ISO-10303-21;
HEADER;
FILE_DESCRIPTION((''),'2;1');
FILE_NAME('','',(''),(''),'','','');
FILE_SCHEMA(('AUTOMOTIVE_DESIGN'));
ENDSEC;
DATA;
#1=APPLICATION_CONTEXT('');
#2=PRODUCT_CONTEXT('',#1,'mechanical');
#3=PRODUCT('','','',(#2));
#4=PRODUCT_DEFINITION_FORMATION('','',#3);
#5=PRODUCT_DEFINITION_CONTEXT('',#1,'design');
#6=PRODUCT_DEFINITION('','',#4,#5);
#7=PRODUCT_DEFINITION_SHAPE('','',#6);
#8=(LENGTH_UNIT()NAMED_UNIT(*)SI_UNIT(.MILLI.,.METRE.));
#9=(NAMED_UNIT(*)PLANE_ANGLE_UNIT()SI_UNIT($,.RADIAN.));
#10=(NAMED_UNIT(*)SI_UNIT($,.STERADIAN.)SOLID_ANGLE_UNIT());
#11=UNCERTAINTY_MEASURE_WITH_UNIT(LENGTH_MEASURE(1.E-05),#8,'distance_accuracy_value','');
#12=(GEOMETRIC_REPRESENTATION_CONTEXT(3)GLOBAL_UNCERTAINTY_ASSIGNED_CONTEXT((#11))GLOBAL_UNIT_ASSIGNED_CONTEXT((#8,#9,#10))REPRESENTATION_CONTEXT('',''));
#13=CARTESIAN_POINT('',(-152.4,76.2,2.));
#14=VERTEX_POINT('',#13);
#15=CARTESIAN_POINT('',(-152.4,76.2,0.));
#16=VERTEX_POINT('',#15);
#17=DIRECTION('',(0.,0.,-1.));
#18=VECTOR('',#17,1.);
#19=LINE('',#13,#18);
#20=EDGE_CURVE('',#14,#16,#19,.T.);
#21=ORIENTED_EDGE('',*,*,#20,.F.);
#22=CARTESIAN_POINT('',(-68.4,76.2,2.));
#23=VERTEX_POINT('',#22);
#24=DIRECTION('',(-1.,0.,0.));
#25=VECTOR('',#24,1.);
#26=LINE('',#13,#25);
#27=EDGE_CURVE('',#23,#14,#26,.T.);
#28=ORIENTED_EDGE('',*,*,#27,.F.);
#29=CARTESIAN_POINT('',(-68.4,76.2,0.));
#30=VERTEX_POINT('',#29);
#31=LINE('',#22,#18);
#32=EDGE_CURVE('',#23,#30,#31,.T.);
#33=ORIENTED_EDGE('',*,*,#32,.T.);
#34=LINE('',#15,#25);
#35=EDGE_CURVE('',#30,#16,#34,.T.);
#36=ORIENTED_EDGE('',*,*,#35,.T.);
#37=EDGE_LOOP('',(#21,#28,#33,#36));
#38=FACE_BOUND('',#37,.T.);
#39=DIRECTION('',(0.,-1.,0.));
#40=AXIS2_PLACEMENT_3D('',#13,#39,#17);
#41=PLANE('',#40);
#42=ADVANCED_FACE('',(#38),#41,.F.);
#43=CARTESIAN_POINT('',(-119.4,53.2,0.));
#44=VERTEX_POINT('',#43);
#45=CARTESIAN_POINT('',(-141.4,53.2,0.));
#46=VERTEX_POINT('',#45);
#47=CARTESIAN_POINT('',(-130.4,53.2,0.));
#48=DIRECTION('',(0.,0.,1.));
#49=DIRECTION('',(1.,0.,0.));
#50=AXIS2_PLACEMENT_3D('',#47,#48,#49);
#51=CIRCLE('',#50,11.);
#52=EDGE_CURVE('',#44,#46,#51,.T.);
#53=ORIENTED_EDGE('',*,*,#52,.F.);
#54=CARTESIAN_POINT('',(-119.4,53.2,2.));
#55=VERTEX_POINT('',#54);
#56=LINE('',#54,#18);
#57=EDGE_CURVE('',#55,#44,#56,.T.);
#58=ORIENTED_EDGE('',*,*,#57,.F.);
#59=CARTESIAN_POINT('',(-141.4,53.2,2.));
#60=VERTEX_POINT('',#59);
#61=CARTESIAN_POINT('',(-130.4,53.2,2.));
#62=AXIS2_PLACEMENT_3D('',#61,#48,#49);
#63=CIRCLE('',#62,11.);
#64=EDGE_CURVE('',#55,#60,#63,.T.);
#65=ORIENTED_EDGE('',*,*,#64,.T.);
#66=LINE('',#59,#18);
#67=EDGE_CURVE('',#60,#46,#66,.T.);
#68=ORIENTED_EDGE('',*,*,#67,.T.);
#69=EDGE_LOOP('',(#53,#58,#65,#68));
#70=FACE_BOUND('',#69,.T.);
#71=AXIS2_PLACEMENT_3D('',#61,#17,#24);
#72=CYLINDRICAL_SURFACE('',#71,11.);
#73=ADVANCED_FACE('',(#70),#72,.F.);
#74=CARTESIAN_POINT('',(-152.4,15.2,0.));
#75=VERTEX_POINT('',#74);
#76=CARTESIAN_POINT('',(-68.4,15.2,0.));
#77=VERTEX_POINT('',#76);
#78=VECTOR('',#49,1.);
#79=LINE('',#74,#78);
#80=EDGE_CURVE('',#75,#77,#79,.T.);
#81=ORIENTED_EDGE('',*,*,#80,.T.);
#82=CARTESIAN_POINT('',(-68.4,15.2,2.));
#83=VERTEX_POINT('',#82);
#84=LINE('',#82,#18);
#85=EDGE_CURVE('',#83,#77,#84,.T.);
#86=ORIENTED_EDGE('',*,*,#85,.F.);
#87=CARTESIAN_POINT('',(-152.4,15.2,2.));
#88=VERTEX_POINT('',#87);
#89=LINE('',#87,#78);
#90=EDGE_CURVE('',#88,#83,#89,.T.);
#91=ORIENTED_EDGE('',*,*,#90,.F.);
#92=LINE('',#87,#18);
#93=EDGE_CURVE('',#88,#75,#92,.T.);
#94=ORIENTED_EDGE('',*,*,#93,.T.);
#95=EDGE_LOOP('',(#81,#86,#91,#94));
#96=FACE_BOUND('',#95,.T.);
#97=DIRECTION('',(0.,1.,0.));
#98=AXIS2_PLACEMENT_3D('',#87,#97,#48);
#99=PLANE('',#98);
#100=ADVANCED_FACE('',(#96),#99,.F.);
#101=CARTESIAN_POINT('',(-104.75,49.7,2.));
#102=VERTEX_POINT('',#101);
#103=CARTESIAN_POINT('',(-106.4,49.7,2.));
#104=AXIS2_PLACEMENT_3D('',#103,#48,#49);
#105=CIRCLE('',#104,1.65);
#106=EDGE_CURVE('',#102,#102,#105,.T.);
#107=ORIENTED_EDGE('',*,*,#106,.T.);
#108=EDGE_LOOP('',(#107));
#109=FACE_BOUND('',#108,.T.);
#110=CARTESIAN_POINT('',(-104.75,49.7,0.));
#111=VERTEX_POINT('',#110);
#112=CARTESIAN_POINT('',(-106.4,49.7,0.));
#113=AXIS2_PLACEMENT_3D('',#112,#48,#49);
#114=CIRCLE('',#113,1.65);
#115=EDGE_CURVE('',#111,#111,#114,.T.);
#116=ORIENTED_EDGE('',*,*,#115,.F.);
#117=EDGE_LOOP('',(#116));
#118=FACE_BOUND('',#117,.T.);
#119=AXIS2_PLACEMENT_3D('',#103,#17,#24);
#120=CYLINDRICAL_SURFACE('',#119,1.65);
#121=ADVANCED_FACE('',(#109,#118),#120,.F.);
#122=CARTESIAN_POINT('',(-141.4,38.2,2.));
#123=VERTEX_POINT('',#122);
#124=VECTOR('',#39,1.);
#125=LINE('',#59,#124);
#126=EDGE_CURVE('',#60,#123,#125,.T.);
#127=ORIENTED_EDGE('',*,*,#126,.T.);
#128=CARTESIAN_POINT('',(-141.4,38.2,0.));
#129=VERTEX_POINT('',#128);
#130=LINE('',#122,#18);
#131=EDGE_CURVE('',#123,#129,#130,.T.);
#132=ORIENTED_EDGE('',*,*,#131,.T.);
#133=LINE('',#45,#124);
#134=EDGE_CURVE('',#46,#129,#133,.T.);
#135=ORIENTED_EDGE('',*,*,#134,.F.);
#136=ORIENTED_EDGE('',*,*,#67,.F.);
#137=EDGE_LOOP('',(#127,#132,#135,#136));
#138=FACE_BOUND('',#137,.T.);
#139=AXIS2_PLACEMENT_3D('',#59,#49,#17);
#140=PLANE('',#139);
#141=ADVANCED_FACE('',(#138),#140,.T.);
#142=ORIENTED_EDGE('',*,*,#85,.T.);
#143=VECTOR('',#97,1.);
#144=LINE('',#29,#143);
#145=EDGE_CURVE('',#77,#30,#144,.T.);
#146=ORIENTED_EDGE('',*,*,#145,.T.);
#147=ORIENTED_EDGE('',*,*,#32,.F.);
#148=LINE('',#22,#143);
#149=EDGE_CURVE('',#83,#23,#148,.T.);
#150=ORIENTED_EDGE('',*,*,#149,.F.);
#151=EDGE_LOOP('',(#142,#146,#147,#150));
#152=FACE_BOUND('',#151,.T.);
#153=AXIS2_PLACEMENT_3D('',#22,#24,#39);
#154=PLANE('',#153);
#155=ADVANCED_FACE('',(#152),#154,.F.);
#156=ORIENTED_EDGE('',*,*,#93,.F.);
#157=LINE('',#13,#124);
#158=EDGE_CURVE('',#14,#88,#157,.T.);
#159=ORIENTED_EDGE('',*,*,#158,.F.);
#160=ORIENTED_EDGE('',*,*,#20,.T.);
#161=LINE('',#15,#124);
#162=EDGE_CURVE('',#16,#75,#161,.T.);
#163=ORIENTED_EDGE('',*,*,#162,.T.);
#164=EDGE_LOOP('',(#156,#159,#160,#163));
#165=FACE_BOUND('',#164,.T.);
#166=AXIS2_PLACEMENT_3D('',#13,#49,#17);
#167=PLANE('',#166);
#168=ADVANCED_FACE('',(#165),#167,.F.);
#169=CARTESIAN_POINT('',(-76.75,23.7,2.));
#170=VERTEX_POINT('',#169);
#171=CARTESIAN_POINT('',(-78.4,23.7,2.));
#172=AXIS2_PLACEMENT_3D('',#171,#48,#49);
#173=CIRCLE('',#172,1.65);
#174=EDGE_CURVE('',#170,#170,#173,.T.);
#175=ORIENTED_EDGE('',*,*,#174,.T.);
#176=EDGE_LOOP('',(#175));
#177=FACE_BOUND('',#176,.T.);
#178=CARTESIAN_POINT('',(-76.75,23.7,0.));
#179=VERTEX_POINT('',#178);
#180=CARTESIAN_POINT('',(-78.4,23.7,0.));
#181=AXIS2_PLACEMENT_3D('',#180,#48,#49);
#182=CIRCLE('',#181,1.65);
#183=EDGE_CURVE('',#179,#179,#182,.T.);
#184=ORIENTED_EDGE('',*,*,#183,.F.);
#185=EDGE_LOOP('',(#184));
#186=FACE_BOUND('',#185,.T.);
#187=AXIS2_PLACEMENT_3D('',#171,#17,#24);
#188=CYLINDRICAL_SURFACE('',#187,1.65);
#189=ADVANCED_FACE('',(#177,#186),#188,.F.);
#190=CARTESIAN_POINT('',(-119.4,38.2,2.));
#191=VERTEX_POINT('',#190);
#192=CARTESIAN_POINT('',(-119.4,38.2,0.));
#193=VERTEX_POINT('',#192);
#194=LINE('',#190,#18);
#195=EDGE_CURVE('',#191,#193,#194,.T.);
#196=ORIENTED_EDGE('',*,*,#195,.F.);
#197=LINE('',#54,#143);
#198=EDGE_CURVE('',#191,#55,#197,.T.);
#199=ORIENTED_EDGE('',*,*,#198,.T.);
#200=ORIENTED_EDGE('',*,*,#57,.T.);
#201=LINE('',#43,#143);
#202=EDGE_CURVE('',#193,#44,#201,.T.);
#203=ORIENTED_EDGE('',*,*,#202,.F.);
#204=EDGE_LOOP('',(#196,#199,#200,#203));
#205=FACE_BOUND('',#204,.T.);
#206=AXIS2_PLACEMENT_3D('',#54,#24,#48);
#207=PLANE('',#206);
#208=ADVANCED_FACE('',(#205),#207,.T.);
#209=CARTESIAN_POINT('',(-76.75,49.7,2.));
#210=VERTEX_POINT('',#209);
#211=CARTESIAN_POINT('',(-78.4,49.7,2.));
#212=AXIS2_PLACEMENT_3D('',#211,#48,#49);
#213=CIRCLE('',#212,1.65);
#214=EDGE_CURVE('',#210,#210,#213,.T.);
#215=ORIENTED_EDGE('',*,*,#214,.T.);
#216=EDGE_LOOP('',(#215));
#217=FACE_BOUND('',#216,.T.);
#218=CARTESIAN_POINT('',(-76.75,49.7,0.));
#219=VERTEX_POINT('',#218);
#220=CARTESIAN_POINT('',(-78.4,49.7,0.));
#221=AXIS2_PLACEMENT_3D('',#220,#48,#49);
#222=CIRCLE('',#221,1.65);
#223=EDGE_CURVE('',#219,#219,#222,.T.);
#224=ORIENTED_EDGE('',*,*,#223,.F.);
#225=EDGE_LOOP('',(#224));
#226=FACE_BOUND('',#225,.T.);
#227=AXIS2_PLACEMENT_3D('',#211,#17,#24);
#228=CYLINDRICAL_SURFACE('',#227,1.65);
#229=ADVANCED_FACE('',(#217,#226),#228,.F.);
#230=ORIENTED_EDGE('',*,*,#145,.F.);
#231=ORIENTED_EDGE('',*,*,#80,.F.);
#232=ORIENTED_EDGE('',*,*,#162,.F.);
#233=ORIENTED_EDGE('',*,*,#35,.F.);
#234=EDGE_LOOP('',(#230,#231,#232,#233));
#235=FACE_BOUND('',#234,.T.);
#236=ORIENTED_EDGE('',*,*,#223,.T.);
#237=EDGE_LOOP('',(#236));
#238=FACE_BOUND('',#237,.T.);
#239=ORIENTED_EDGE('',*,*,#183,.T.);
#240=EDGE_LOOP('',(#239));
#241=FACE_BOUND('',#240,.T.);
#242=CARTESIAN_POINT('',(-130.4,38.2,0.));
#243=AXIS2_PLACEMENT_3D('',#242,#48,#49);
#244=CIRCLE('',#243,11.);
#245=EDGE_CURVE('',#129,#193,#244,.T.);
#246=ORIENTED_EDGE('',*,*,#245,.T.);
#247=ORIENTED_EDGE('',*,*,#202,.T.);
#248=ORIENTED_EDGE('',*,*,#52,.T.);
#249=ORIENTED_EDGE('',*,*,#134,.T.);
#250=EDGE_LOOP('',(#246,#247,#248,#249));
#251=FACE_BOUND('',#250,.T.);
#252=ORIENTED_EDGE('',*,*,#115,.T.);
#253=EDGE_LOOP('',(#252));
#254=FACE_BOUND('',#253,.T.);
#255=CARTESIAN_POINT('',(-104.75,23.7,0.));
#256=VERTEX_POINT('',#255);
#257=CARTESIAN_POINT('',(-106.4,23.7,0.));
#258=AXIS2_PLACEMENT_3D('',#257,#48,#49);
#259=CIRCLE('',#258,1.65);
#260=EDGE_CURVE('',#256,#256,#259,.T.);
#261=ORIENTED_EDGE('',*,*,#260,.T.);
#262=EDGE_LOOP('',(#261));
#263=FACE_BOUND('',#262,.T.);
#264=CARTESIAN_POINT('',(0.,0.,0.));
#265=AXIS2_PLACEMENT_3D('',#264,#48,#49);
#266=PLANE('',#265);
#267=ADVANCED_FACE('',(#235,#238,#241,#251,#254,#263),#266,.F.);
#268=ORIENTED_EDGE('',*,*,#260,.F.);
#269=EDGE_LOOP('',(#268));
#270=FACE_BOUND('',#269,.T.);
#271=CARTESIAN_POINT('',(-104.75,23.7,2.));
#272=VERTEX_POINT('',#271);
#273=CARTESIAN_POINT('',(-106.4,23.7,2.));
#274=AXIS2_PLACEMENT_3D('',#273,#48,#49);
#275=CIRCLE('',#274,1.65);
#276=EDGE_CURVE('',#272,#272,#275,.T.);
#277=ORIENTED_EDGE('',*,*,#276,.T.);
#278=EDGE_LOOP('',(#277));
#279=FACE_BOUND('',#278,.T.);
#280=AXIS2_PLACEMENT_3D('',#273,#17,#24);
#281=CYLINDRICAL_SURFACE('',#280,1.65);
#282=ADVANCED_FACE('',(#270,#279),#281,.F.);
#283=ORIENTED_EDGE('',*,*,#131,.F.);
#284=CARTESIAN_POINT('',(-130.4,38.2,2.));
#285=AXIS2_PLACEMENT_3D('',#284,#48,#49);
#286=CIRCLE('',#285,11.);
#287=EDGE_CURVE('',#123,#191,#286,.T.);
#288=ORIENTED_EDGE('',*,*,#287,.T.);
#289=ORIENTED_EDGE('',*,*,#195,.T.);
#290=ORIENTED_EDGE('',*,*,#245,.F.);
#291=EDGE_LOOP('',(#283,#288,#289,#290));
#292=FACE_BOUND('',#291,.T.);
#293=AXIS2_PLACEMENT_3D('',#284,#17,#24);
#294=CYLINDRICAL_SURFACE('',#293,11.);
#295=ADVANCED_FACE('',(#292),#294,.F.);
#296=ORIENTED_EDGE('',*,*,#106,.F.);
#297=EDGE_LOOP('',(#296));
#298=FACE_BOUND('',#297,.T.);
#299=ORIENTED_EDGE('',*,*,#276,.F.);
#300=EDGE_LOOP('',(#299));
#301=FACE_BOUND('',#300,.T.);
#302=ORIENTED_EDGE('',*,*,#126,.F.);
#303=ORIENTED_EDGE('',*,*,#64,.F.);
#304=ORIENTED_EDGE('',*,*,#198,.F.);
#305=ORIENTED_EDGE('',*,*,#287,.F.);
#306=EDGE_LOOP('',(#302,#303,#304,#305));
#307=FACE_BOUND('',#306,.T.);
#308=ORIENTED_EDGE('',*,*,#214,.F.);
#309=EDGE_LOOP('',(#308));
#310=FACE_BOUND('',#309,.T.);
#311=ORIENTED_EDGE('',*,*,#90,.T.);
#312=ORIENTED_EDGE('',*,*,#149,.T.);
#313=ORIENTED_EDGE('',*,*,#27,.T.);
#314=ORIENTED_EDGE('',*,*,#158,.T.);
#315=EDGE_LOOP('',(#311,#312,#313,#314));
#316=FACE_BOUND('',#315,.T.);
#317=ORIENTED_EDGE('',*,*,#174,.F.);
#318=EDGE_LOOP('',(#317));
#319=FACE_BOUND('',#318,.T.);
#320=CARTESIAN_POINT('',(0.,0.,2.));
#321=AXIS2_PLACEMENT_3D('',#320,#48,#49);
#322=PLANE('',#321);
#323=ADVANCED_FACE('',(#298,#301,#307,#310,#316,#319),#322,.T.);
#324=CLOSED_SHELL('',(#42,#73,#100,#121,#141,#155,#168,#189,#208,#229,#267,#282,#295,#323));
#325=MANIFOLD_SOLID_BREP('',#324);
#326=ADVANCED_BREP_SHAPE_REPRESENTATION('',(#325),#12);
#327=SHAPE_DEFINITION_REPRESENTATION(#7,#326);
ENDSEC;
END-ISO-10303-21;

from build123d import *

# Parameters (mm, degrees)
SKETCH1_W           = 84
SKETCH1_H           = 61
SKETCH1_R           = 1.65
BOSS_EXTRUDE1_DEPTH = 2


with BuildPart() as part:
    # Sketch1 → Boss-Extrude1 (new body)
    with BuildSketch(Plane.XY):
        with Locations((-110.4, 45.7)):
            Rectangle(SKETCH1_W, SKETCH1_H)
        with Locations((-106.4, 23.7)):
            Circle(SKETCH1_R, mode=Mode.SUBTRACT)
        with Locations((-78.4, 23.7)):
            Circle(SKETCH1_R, mode=Mode.SUBTRACT)
        with Locations((-78.4, 49.7)):
            Circle(SKETCH1_R, mode=Mode.SUBTRACT)
        with Locations((-106.4, 49.7)):
            Circle(SKETCH1_R, mode=Mode.SUBTRACT)
        with BuildLine():
            Line((-119.4, 53.2), (-119.4, 38.2))
            ThreePointArc((-119.4, 38.2), (-130.4, 27.2), (-141.4, 38.2))
            Line((-141.4, 38.2), (-141.4, 53.2))
            ThreePointArc((-141.4, 53.2), (-130.4, 64.2), (-119.4, 53.2))
        make_face(mode=Mode.SUBTRACT)
    extrude(amount=BOSS_EXTRUDE1_DEPTH)


solid = part.part
